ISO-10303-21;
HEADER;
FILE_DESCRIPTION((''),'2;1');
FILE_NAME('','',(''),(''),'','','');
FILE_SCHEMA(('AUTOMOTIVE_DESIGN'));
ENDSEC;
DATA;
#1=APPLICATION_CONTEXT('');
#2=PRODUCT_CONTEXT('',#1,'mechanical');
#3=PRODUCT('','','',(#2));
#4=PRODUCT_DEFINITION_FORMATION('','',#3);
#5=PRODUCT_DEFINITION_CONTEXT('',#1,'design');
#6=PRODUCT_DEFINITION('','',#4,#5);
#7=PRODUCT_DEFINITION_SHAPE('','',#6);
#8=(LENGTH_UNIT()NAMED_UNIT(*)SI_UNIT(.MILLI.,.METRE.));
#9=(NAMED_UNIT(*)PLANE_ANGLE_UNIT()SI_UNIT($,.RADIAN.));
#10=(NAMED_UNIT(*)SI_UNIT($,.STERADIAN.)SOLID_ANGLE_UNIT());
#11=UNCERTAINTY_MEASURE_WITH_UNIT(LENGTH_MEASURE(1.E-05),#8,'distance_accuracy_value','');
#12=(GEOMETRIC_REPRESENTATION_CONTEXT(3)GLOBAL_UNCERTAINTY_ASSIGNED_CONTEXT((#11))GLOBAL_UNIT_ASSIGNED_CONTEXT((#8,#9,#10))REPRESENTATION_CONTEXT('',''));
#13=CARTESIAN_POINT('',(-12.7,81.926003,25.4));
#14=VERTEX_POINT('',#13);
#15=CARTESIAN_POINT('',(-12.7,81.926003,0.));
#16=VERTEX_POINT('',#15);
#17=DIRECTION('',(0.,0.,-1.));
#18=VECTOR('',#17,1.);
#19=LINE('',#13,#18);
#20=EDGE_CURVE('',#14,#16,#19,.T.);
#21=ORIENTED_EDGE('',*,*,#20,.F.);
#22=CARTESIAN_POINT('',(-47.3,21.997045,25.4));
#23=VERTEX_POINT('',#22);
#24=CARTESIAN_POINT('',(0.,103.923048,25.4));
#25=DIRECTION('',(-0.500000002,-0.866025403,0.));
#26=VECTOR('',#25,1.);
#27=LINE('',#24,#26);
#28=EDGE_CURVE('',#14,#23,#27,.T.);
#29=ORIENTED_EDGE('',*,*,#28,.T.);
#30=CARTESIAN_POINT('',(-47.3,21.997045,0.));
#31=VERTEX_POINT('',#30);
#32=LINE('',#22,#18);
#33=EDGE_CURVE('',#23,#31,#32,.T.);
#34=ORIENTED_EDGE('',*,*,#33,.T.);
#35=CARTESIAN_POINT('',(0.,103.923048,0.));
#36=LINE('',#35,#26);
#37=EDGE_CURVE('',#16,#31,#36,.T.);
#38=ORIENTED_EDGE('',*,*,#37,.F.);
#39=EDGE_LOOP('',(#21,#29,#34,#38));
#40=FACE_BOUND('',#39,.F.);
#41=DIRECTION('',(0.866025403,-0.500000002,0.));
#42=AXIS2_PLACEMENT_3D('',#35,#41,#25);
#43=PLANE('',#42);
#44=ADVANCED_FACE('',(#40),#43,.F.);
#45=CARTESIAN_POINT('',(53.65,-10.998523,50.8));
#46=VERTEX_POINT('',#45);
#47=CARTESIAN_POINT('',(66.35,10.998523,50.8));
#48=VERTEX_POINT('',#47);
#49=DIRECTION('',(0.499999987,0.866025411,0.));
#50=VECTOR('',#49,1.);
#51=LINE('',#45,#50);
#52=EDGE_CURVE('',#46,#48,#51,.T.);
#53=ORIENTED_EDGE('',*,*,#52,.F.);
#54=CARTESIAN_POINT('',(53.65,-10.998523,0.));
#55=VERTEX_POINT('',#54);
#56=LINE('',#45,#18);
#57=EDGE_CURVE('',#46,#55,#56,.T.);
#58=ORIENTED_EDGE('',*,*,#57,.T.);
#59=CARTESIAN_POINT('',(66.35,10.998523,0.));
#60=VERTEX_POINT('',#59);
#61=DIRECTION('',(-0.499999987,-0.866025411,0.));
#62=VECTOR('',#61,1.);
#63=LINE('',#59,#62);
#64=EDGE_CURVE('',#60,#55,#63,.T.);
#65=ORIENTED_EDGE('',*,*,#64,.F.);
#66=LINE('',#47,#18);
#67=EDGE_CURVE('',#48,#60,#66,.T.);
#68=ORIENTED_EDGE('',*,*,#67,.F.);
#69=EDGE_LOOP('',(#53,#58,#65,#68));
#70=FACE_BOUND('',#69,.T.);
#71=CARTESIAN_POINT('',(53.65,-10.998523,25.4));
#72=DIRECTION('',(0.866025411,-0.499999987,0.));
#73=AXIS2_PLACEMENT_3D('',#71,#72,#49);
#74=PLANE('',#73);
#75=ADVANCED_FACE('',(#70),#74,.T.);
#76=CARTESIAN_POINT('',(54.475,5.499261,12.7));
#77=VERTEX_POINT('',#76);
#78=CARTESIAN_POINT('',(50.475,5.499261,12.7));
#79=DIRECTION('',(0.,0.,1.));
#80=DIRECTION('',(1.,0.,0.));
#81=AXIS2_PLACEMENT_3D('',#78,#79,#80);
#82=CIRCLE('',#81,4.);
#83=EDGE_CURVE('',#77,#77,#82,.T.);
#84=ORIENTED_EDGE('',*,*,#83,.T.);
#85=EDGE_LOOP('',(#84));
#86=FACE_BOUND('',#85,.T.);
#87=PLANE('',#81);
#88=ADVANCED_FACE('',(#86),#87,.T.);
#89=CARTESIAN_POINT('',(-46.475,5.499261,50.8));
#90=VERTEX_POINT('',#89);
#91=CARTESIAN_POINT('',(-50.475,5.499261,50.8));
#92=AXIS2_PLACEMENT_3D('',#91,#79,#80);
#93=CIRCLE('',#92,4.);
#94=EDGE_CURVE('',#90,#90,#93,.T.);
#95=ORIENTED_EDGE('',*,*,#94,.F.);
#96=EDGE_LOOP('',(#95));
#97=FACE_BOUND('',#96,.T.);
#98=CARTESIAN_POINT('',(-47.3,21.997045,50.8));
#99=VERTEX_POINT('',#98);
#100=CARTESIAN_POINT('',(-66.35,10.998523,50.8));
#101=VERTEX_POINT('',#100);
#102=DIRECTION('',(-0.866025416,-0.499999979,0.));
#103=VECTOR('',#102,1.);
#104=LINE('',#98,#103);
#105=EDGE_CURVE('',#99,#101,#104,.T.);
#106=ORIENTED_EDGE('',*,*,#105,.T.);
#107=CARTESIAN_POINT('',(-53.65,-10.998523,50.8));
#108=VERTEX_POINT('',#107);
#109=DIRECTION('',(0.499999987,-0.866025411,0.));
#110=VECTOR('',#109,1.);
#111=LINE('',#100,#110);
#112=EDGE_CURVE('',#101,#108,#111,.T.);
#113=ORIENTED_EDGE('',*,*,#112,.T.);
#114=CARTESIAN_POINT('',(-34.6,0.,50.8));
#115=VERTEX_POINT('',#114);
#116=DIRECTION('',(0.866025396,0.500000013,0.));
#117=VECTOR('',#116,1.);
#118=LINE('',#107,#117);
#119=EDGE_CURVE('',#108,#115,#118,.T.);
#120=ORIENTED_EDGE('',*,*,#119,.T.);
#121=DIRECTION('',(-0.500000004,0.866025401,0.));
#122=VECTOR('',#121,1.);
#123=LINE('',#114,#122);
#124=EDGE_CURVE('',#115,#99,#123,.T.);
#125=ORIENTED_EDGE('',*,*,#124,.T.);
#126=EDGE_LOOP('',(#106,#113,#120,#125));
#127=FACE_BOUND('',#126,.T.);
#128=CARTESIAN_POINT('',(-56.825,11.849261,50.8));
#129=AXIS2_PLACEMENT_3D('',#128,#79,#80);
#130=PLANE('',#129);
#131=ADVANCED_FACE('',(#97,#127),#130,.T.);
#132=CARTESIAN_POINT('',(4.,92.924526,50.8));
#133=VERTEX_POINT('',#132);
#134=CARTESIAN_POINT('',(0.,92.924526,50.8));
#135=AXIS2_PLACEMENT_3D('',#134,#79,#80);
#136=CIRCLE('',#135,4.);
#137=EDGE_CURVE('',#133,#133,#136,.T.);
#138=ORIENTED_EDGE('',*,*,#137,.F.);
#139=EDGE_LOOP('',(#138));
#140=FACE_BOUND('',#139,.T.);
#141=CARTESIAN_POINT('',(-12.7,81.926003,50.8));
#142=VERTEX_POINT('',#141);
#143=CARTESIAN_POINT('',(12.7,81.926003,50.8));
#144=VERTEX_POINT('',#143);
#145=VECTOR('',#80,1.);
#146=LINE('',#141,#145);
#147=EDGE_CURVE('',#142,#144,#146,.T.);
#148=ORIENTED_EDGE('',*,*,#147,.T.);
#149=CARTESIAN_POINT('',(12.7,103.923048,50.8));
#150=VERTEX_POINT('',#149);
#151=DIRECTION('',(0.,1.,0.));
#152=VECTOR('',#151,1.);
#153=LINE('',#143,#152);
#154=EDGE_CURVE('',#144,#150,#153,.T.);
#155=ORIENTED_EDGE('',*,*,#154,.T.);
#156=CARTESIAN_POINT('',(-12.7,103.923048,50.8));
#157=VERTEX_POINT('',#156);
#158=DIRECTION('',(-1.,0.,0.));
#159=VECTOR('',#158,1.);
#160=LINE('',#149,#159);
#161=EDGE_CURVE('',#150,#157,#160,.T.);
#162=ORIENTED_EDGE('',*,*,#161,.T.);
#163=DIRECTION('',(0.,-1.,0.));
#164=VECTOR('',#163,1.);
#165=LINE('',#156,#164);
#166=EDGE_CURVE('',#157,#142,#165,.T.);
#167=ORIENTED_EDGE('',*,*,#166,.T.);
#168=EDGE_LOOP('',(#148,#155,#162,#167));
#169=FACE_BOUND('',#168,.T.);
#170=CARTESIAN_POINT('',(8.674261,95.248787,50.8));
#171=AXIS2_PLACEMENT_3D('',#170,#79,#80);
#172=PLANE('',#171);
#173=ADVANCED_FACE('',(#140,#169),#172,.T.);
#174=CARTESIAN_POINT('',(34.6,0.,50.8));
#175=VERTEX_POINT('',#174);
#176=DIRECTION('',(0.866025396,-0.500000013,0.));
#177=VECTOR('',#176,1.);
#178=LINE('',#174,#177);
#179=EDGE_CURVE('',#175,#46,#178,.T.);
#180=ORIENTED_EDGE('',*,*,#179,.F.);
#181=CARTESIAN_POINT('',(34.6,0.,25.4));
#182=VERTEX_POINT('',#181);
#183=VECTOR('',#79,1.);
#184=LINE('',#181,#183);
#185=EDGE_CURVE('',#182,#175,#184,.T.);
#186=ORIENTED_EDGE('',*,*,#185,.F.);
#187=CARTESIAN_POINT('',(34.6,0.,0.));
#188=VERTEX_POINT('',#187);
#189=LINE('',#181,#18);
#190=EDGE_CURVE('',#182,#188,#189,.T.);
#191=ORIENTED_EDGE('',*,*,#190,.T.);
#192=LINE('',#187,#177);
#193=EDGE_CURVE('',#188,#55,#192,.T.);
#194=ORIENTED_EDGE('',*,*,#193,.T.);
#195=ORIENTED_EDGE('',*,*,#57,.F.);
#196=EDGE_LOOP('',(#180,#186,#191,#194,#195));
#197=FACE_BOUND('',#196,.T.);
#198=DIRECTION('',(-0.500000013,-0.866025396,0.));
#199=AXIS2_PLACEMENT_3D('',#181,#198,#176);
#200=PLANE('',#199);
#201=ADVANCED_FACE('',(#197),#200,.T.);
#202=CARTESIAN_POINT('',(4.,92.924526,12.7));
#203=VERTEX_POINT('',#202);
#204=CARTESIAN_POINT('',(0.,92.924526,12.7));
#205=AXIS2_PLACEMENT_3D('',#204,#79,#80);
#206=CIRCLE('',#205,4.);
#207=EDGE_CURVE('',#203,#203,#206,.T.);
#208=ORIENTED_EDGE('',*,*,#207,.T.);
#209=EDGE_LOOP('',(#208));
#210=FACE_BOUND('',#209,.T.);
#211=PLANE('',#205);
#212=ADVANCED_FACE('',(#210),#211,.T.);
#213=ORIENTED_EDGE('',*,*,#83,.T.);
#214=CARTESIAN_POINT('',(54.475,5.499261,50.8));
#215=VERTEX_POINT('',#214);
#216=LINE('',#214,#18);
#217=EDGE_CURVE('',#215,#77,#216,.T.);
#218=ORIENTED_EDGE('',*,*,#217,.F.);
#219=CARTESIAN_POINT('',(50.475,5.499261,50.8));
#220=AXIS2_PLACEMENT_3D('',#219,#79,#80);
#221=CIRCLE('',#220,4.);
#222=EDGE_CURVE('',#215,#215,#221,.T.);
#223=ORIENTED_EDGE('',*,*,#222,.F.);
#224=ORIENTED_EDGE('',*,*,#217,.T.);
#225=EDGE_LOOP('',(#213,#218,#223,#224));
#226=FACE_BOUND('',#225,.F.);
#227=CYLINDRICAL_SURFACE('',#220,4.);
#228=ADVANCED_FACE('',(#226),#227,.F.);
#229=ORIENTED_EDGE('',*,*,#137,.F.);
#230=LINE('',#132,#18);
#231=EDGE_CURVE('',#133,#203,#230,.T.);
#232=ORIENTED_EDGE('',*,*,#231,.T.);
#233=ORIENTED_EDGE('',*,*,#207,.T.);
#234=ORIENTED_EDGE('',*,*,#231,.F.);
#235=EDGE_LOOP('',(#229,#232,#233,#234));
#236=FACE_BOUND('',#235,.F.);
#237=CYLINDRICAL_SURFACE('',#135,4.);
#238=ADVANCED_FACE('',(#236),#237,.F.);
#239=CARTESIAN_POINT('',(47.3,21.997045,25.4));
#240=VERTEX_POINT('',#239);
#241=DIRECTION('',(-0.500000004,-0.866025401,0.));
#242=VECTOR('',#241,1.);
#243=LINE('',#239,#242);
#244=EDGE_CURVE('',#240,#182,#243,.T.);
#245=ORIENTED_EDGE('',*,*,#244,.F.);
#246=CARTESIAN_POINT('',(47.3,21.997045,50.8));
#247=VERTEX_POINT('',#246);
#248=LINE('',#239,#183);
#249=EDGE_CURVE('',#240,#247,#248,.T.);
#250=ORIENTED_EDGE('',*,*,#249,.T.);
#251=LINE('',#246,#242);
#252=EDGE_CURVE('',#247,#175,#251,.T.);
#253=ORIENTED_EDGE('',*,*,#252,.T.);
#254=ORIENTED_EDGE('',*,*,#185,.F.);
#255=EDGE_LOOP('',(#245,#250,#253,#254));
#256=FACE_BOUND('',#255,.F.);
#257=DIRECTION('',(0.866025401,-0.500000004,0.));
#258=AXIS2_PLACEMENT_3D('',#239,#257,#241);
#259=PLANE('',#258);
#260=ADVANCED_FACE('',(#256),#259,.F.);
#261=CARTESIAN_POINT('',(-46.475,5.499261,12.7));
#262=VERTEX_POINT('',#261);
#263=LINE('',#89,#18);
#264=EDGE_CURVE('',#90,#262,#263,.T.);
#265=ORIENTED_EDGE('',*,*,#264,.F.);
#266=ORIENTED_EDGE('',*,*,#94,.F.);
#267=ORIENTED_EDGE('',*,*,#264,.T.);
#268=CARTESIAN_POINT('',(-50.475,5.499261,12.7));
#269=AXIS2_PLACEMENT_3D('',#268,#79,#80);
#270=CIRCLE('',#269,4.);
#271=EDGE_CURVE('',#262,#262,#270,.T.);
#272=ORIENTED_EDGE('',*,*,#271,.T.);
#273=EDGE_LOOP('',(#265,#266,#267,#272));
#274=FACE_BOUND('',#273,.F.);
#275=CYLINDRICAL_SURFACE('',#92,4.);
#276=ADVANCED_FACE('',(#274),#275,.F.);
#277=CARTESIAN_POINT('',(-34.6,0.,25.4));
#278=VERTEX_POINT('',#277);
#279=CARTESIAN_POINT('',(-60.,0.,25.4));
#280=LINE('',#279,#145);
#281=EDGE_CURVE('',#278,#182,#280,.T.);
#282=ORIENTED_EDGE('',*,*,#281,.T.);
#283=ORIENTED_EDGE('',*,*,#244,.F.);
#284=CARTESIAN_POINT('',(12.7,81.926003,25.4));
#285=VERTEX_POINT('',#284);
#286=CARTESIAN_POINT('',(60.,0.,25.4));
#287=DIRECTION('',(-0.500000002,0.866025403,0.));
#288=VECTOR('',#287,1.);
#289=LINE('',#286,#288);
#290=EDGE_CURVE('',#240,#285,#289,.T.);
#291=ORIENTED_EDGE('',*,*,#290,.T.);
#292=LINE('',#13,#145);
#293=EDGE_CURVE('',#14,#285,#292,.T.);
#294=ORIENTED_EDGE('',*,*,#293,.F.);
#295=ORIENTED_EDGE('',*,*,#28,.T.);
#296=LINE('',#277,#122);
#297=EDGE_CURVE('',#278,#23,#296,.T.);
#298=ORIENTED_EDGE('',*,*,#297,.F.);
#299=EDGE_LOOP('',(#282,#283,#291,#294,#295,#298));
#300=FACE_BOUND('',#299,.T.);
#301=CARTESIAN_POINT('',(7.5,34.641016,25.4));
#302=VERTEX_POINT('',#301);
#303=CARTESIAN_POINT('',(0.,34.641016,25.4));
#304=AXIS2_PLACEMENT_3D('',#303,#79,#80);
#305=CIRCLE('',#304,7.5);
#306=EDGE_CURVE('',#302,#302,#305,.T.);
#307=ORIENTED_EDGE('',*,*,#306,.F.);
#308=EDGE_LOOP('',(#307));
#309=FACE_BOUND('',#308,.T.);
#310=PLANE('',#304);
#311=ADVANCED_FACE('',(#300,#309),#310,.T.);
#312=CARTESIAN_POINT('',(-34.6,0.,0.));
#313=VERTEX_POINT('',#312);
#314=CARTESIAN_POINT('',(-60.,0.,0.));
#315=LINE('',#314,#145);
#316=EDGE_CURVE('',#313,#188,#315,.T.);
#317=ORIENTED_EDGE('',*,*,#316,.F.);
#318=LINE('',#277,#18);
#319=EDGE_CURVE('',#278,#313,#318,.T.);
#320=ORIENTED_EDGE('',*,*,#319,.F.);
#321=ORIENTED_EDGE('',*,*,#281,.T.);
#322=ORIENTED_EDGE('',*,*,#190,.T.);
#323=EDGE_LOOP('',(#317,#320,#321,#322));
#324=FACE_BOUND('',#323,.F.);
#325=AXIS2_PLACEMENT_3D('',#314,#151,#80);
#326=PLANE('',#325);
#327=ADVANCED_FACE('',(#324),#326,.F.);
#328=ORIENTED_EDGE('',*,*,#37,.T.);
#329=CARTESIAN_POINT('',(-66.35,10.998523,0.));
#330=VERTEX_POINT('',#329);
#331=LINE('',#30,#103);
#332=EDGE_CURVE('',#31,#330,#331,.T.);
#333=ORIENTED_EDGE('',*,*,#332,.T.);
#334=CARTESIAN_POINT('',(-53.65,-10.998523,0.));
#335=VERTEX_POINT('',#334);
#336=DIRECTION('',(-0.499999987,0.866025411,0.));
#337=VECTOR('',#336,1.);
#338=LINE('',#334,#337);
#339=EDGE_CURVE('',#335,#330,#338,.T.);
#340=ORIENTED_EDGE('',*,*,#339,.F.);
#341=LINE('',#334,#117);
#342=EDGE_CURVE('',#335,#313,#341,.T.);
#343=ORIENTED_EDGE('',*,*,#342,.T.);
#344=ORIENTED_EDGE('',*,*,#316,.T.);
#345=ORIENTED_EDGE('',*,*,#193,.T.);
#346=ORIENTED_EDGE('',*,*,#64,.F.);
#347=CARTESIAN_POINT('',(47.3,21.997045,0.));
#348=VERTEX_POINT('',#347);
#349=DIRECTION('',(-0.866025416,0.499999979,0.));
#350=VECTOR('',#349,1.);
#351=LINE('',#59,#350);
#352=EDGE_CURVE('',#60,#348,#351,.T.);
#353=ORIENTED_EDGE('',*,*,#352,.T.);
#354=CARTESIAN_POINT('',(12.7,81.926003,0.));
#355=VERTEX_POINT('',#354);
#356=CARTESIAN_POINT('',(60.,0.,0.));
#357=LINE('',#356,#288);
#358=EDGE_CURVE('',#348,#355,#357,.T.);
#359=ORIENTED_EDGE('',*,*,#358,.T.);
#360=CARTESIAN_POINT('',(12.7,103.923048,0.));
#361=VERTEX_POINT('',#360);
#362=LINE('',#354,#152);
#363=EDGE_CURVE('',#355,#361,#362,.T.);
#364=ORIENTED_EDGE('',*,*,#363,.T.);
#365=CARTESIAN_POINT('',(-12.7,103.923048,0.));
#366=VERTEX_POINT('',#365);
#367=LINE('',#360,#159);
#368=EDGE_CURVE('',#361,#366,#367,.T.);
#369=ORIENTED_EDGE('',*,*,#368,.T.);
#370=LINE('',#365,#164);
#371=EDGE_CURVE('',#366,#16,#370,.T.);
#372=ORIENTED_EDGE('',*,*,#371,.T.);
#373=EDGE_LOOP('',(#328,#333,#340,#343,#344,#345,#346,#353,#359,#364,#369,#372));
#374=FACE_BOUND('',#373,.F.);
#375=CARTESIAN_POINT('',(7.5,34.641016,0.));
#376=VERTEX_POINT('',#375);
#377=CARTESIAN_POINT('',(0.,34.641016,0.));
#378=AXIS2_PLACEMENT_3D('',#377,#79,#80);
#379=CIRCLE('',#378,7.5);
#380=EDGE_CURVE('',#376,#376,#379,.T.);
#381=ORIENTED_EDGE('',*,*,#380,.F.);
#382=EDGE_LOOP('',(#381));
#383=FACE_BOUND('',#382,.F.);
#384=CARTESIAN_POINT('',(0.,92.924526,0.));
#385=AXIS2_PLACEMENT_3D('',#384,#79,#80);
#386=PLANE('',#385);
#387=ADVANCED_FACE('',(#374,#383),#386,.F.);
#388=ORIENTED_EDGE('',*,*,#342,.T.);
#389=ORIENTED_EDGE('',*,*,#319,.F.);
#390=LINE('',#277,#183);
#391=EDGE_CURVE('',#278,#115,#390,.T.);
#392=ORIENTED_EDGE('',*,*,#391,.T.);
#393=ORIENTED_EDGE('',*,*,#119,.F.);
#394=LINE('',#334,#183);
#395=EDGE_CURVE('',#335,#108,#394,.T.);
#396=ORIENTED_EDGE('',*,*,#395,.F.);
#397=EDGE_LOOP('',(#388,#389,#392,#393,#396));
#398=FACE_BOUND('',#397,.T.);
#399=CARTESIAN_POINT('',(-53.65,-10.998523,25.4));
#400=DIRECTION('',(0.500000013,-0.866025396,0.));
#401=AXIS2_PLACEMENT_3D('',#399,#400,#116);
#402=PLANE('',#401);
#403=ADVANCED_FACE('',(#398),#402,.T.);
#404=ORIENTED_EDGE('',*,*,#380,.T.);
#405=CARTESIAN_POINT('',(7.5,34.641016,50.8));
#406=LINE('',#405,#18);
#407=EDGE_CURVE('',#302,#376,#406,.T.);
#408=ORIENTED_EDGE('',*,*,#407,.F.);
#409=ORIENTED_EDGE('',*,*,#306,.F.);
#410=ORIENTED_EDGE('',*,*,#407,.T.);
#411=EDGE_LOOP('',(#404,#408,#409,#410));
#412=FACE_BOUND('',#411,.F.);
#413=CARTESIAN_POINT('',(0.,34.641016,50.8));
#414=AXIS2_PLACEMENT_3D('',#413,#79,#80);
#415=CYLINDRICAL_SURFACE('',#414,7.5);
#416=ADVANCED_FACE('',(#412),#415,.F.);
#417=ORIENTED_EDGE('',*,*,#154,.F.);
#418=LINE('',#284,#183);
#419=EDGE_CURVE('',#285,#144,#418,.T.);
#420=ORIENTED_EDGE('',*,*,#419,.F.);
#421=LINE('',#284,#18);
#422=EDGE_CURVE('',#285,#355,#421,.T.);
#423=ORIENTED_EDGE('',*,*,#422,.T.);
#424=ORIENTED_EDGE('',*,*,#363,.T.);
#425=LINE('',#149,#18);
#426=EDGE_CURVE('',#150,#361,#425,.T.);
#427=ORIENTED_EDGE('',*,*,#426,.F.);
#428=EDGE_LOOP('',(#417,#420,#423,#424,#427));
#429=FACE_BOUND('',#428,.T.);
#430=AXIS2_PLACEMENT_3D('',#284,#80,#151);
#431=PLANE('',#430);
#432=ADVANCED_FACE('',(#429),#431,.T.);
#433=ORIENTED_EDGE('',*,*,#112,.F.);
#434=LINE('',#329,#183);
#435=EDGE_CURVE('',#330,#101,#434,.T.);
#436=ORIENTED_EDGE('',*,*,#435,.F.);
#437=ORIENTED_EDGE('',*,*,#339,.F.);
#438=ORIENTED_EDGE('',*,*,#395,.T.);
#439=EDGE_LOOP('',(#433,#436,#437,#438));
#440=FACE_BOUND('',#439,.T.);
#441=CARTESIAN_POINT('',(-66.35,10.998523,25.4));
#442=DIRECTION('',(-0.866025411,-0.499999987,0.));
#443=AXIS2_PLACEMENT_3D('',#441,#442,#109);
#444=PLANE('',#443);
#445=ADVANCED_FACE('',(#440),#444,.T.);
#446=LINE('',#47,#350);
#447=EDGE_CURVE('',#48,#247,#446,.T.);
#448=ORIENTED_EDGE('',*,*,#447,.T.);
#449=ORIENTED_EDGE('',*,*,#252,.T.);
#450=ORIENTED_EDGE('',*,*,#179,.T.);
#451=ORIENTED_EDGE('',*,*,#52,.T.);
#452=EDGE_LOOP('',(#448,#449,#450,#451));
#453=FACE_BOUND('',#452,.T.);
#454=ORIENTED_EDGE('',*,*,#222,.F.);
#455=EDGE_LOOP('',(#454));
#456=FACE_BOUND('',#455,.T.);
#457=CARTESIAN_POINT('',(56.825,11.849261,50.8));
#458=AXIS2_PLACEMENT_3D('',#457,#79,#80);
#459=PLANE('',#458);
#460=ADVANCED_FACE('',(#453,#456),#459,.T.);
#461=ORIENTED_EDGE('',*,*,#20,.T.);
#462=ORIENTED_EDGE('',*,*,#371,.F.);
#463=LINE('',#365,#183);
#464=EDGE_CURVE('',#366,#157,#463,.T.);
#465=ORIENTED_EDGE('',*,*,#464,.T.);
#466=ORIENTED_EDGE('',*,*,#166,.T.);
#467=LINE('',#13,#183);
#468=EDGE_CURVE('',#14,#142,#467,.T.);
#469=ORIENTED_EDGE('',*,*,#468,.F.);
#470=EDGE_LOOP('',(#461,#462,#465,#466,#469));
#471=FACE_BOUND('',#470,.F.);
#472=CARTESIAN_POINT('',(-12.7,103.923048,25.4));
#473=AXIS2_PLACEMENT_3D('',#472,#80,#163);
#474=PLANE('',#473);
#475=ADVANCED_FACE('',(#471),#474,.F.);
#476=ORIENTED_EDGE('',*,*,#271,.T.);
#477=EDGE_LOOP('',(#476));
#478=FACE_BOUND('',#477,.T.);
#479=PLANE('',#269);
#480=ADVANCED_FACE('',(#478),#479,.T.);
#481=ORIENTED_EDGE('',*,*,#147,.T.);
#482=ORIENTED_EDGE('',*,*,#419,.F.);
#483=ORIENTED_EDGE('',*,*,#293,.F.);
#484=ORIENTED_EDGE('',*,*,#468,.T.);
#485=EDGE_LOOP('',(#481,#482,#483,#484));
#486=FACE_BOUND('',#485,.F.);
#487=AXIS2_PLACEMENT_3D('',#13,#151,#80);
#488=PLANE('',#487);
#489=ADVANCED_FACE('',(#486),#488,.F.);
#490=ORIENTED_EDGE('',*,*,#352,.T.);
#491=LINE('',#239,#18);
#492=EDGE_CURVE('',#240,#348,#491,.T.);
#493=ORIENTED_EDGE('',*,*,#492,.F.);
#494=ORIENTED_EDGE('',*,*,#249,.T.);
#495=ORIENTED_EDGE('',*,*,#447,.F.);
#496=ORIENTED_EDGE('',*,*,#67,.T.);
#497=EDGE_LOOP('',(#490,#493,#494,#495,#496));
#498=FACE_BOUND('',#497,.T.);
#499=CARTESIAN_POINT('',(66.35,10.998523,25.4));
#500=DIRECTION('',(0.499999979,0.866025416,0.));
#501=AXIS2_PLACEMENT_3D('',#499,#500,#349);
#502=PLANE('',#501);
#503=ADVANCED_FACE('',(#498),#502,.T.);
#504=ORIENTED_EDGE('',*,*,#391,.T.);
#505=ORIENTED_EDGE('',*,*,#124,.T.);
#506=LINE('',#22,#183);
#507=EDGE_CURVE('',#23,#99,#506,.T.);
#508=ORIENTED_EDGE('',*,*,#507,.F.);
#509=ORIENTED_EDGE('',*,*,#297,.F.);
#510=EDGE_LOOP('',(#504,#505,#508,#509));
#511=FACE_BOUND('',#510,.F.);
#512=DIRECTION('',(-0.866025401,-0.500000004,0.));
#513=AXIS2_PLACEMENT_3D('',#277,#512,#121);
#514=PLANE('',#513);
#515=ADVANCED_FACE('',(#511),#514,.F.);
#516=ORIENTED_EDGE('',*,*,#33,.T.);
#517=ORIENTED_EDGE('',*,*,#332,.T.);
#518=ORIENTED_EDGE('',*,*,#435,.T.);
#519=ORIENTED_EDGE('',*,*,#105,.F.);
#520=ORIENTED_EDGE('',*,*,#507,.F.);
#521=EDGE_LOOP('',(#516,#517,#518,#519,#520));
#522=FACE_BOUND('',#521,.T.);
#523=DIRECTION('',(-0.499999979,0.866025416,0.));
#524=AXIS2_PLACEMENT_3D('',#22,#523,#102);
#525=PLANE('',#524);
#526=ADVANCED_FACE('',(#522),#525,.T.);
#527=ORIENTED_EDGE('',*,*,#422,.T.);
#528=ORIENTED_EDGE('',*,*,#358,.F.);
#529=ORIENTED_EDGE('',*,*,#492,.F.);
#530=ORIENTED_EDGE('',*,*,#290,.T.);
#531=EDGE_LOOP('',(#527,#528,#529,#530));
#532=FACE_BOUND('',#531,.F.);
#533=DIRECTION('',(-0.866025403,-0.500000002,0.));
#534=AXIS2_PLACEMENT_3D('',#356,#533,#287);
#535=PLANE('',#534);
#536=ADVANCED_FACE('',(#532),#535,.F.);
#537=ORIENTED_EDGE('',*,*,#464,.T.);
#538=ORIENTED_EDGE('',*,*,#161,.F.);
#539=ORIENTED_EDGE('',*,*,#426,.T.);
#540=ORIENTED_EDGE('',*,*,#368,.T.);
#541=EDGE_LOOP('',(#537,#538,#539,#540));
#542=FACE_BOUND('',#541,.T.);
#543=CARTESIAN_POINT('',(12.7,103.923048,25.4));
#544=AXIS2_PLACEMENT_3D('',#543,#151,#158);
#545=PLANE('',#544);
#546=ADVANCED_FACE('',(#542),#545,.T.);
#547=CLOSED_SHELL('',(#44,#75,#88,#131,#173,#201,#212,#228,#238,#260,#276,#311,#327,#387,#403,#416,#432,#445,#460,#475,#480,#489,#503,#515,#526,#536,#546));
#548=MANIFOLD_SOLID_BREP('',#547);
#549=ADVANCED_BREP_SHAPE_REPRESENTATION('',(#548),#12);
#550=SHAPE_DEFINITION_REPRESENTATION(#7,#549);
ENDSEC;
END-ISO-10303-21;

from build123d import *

# Parameters (mm, degrees)
F1_DEPTH = 25.4
F3_DEPTH = 25.4
F4_DEPTH = 25.4
F5_R     = 4
F6_DEPTH = 38.1
F7_R     = 7.5
F8_DEPTH = 254


with BuildPart() as f1:
    # F0 (on Top) → F1 (new body)
    with BuildSketch(Plane.XY):
        Polygon((0, 103.923048), (-60, 0), (60, 0), align=None)
    extrude(amount=F1_DEPTH)

    # F2 (on face) → F3 (join)
    with BuildSketch(Plane.XY.offset(25.4)):
        Polygon((12.7, 103.923048), (0, 103.923048), (12.7, 81.926003), align=None)
        Polygon((66.35, 10.998523), (47.3, 21.997045), (60, 0), align=None)
        Polygon((-60, 0), (-47.3, 21.997045), (-66.35, 10.998523), align=None)
        Polygon((-53.65, -10.998523), (-34.6, 0), (-60, 0), align=None)
        Polygon((12.7, 81.926003), (0, 103.923048), (-12.7, 81.926003), align=None)
        Polygon((60, 0), (47.3, 21.997045), (34.6, 0), align=None)
        Polygon((-34.6, 0), (-47.3, 21.997045), (-60, 0), align=None)
        Polygon((60, 0), (34.6, 0), (53.65, -10.998523), align=None)
        Polygon((-12.7, 81.926003), (0, 103.923048), (-12.7, 103.923048), align=None)
    extrude(amount=F3_DEPTH)

    # F2 (on face) → F4 (join)
    with BuildSketch(Plane.XY.offset(25.4)):
        Polygon((12.7, 103.923048), (0, 103.923048), (-12.7, 103.923048), (-12.7, 81.926003), (12.7, 81.926003), align=None)
        Polygon((53.65, -10.998523), (60, 0), (66.35, 10.998523), (47.3, 21.997045), (34.6, 0), align=None)
        Polygon((-66.35, 10.998523), (-60, 0), (-53.65, -10.998523), (-34.6, 0), (-47.3, 21.997045), align=None)
    extrude(amount=-F4_DEPTH)

    # F5 (on face) → F6 (cut)
    with BuildSketch(Plane.XY.offset(50.8)):
        with Locations((0, 92.924526)):
            Circle(F5_R)
        with Locations((-50.475, 5.499261)):
            Circle(F5_R)
        with Locations((50.475, 5.499261)):
            Circle(F5_R)
    extrude(amount=-F6_DEPTH, mode=Mode.SUBTRACT)

    # F7 (on face) → F8 (cut)
    with BuildSketch(Plane.XY.offset(50.8)):
        with Locations((0, 34.641016)):
            Circle(F7_R)
    extrude(amount=-F8_DEPTH, mode=Mode.SUBTRACT)


solid = f1.part
